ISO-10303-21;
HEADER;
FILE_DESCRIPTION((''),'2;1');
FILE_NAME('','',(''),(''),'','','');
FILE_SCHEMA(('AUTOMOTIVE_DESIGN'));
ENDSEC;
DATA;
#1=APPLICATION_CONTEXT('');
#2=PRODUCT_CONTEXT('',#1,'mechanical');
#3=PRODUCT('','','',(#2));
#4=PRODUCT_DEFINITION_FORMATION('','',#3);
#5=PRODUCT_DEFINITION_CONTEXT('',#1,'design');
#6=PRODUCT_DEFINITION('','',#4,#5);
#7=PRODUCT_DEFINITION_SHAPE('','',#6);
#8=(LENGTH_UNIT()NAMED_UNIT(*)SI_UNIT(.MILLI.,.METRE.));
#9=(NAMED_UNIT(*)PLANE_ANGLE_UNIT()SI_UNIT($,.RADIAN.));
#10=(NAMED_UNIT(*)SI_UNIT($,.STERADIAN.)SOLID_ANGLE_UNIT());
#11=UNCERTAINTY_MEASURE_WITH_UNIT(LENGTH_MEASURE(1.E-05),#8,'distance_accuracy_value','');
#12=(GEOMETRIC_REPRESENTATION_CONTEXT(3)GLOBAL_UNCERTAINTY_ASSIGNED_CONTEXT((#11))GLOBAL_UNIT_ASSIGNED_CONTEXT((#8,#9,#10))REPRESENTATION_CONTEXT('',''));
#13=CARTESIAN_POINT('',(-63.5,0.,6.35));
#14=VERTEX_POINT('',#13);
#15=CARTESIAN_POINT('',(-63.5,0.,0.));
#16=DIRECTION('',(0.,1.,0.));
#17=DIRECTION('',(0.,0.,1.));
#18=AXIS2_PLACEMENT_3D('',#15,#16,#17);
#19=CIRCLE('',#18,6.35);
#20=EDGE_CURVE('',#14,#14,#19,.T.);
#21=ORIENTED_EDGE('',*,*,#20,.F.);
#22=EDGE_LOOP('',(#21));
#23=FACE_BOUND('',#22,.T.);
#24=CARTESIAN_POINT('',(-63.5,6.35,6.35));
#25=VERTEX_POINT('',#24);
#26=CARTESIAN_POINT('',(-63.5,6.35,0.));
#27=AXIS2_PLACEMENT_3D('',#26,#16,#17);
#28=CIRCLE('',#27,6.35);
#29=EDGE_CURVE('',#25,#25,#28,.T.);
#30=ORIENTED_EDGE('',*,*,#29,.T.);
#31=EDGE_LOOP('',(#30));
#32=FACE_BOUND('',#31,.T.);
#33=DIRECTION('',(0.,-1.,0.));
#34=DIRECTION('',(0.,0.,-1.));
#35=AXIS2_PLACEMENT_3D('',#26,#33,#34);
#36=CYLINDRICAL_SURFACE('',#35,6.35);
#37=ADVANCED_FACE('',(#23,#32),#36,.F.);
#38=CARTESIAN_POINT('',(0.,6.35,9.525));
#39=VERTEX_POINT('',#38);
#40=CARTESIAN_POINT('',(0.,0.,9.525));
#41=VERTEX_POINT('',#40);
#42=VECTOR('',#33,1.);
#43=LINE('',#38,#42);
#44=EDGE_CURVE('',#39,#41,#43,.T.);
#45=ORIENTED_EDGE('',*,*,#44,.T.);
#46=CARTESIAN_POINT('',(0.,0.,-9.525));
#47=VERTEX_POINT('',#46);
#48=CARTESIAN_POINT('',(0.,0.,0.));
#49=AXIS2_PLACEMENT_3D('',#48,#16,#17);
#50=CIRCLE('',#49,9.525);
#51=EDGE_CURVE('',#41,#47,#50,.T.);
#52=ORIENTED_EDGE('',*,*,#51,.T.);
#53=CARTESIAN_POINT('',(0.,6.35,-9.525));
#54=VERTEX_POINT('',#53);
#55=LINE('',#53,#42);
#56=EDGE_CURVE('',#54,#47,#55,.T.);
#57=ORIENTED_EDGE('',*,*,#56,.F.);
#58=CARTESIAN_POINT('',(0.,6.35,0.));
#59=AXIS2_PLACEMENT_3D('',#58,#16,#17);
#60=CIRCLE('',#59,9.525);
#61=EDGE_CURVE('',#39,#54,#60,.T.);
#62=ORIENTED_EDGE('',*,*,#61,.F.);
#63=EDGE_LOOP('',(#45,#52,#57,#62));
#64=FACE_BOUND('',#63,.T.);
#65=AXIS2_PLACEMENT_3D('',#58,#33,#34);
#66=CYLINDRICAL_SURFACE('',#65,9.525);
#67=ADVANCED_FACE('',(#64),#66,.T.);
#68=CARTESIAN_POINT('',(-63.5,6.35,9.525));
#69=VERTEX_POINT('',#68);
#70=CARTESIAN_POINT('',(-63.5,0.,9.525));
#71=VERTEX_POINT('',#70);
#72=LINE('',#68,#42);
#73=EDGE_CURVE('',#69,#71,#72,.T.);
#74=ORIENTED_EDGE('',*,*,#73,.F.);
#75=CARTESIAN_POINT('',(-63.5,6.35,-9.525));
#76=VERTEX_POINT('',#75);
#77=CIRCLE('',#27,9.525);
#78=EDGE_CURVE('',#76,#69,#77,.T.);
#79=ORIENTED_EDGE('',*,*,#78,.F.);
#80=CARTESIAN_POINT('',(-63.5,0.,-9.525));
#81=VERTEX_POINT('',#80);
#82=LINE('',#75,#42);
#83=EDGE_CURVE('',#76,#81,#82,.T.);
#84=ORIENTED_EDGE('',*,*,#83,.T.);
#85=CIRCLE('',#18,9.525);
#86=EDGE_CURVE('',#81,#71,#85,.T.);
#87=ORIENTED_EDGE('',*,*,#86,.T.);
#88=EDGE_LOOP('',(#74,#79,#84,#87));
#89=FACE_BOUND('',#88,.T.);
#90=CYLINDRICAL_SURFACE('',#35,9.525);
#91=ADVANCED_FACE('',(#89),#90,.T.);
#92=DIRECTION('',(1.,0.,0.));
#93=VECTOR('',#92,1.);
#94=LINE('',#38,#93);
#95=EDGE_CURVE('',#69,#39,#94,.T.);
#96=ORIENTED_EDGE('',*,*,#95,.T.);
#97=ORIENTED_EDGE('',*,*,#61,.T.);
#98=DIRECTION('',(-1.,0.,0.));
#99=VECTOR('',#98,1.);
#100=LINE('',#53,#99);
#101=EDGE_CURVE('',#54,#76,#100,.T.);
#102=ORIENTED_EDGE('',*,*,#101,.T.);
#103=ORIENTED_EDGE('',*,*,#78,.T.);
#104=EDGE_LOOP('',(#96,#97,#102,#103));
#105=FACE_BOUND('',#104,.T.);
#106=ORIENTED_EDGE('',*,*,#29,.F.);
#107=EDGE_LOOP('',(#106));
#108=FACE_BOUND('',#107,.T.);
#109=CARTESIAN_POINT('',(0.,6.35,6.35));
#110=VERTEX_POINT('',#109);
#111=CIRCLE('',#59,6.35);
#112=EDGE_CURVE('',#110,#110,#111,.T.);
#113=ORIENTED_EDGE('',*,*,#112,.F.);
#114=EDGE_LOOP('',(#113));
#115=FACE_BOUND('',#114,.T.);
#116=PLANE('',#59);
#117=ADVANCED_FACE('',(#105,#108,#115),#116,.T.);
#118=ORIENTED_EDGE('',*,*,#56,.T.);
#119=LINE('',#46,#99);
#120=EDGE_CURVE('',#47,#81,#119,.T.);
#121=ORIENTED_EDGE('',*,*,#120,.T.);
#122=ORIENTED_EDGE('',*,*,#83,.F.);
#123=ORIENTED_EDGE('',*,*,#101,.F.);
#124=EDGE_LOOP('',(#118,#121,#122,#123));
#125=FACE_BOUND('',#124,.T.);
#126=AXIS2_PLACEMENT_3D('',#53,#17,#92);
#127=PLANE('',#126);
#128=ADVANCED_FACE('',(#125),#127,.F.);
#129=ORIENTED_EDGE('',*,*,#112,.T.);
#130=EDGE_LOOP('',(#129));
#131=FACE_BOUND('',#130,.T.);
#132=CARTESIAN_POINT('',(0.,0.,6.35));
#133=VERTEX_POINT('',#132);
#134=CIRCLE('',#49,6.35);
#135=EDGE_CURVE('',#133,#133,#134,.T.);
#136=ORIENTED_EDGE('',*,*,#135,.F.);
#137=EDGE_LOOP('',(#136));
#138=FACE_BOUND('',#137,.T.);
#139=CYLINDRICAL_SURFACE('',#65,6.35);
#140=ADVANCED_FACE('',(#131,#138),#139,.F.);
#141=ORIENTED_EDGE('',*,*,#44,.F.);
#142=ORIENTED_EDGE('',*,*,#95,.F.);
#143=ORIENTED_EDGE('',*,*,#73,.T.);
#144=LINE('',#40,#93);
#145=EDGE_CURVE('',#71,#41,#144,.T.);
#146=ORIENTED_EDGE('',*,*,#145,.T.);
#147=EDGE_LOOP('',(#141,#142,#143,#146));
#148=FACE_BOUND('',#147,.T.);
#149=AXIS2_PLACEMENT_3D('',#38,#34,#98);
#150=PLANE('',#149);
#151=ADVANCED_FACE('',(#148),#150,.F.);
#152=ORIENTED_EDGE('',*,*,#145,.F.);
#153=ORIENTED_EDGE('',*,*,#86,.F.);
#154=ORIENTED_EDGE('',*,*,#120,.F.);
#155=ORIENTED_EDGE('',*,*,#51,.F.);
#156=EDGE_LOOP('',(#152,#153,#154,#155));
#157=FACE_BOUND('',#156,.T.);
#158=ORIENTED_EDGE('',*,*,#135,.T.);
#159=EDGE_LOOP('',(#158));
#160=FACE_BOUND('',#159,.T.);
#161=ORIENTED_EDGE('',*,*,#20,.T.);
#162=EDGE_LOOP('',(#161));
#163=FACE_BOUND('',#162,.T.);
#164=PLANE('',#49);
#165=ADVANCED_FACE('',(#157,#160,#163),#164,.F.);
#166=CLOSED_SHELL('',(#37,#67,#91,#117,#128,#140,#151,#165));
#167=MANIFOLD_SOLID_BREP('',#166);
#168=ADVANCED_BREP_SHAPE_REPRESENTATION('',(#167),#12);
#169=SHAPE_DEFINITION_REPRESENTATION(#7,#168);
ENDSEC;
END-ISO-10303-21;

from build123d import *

# Parameters (mm, degrees)
SKETCH1_R           = 6.35
BOSS_EXTRUDE1_DEPTH = 6.35


with BuildPart() as part:
    # Sketch1 → Boss-Extrude1 (new body)
    with BuildSketch(Plane(origin=(0, 0, 0), x_dir=(1, 0, 0), z_dir=(0, 1, 0))):
        with BuildLine():
            Line((0, -9.525), (-63.5, -9.525))
            ThreePointArc((-63.5, -9.525), (-73.025, 0), (-63.5, 9.525))
            Line((-63.5, 9.525), (0, 9.525))
            ThreePointArc((0, 9.525), (9.525, 0), (0, -9.525))
        make_face()
        with Locations(Location((-63.5, 0, 0), (0, 0, 270))):
            Circle(SKETCH1_R, mode=Mode.SUBTRACT)
        with Locations(Location((0, 0, 0), (0, 0, 270))):
            Circle(SKETCH1_R, mode=Mode.SUBTRACT)
    extrude(amount=BOSS_EXTRUDE1_DEPTH)


solid = part.part
